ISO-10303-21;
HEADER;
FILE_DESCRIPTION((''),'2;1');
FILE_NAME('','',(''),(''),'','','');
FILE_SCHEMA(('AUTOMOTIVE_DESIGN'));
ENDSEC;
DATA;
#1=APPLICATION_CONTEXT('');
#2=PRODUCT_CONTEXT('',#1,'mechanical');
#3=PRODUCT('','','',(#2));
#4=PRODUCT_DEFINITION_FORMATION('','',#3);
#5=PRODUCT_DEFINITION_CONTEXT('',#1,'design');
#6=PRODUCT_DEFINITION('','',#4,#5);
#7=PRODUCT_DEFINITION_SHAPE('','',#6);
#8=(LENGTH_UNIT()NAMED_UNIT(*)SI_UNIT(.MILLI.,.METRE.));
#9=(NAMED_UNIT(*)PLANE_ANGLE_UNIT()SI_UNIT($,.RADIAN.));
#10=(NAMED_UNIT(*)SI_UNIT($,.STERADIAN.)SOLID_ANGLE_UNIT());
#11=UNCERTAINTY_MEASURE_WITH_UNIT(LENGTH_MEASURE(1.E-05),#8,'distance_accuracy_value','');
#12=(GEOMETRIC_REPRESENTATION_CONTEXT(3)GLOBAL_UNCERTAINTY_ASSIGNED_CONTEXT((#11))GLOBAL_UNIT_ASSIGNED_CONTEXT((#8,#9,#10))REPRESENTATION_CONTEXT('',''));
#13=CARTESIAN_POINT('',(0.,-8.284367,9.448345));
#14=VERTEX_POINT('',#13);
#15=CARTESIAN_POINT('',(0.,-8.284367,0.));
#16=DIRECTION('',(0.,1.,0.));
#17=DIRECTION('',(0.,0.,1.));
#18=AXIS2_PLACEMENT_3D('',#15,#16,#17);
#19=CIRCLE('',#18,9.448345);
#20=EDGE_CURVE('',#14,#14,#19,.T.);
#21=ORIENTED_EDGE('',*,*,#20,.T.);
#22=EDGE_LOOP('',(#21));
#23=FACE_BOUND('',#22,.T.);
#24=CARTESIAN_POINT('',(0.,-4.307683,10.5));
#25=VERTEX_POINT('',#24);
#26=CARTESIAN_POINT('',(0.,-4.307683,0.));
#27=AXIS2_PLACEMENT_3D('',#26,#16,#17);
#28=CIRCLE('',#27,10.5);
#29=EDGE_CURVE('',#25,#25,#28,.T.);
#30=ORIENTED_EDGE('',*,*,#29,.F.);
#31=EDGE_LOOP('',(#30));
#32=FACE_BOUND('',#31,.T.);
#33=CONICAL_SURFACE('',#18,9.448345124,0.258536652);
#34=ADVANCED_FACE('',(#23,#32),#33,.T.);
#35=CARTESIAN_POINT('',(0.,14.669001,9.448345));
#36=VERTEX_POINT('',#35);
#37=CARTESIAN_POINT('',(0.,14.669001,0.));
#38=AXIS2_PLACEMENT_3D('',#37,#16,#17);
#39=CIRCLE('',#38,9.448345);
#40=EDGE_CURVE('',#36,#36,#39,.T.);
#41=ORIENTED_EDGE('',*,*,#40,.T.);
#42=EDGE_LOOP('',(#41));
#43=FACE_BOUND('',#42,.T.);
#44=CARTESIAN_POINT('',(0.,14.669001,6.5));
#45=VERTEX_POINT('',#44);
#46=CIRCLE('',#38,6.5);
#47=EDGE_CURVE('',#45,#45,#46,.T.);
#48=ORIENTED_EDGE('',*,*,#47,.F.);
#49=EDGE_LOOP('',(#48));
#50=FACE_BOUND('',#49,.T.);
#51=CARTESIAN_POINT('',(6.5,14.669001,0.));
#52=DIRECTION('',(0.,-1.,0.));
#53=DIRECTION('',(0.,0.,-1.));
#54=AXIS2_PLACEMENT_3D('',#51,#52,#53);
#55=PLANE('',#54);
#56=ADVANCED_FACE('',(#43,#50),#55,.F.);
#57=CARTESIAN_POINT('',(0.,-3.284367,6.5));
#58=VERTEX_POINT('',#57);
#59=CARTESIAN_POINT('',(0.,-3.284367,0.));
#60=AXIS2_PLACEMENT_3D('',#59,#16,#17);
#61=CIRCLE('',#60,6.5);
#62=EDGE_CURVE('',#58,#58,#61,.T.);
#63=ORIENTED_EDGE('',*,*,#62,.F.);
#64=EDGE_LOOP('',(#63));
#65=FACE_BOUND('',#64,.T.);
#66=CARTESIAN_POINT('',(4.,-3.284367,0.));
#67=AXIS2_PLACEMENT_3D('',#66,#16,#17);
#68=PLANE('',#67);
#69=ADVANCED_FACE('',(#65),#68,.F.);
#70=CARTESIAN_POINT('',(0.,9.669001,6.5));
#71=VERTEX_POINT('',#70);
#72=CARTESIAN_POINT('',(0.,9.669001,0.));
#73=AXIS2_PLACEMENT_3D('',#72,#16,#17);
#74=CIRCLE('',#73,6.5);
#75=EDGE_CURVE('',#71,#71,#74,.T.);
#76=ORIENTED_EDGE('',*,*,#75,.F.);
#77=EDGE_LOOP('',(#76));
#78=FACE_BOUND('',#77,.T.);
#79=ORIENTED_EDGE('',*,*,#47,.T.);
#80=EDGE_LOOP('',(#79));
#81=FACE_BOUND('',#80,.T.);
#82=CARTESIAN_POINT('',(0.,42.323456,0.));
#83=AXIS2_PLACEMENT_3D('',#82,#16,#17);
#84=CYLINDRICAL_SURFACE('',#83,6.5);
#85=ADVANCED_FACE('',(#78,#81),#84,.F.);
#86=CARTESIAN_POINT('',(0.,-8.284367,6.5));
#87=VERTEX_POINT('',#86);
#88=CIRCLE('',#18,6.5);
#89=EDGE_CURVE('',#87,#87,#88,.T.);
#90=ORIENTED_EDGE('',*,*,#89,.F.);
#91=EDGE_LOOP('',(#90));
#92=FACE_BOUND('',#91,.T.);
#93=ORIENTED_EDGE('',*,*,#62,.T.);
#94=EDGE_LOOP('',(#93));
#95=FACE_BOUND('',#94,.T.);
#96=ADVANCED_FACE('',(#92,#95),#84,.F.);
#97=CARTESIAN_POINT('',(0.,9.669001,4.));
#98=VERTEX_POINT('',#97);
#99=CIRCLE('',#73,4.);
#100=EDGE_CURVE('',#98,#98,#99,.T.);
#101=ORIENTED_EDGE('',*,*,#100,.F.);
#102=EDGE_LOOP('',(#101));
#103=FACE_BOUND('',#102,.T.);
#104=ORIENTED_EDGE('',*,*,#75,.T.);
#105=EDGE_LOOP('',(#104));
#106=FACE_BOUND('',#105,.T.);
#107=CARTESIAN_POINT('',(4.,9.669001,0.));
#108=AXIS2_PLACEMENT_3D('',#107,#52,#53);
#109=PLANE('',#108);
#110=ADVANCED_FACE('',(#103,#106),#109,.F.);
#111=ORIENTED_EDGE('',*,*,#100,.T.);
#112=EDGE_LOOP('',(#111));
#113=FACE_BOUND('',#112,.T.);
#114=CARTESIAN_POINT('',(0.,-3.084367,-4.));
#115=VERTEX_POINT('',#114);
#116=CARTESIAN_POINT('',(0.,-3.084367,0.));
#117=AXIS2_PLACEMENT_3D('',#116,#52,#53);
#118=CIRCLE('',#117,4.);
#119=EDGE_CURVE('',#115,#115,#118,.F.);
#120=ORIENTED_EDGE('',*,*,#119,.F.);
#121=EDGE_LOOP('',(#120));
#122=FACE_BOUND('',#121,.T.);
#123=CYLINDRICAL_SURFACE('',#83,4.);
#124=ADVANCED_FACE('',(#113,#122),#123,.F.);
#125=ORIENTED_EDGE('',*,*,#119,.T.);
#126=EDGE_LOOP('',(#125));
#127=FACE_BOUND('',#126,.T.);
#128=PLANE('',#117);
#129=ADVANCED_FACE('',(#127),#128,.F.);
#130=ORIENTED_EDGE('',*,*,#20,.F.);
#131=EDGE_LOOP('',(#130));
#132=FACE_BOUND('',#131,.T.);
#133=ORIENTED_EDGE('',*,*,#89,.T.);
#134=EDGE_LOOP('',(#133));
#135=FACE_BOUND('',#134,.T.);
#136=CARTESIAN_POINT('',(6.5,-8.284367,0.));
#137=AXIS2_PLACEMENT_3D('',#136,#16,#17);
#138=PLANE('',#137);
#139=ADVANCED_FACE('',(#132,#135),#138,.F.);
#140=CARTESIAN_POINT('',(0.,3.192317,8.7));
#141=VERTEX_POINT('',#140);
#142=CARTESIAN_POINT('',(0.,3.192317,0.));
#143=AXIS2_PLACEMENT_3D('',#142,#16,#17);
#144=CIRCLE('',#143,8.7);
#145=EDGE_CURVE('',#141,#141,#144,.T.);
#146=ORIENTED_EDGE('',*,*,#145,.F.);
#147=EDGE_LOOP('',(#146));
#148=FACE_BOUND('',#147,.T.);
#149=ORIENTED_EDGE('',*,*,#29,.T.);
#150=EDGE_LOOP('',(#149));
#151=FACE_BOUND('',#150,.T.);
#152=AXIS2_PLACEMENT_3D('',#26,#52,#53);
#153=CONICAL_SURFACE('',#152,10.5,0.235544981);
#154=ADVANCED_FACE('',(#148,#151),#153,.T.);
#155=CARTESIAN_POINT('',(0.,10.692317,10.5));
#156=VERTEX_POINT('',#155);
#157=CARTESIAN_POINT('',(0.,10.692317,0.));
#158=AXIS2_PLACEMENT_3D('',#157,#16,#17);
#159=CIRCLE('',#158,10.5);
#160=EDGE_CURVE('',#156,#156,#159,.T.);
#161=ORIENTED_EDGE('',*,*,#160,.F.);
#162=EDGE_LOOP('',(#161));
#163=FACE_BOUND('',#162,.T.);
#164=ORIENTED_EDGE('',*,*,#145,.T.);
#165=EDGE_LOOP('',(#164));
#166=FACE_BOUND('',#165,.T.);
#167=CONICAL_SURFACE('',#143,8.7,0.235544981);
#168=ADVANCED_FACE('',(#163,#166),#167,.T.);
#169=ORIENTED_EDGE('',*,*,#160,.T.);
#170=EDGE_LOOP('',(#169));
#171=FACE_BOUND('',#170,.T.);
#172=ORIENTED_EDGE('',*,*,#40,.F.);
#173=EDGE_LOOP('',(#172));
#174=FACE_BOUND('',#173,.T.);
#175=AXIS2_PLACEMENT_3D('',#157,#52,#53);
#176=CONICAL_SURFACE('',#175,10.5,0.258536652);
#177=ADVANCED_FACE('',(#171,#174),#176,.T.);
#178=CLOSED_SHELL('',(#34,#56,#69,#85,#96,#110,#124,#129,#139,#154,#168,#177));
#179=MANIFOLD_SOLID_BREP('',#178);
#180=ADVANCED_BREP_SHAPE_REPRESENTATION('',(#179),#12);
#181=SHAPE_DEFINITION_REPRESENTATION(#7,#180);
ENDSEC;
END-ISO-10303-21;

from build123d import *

# Parameters (mm, degrees)
SKETCH2_R           = 4
BOSS_EXTRUDE1_DEPTH = 0.2


with BuildPart() as part:
    # Sketch1 → Revolve1 (revolve)
    with BuildSketch(Plane.XY):
        Polygon((4, -3.284366974), (4, 9.669000537), (6.5, 9.669000537), (6.5, 14.669000537), (9.448345124, 14.669000537), (10.5, 10.692316782), (8.7, 3.192316782), (10.5, -4.307683218), (9.448345124, -8.284366974), (6.5, -8.284366974), (6.5, -3.284366974), align=None)
    revolve(axis=Axis((0, 42.323455848, 0), (0, -1, 0)))

    # Sketch2 → Boss-Extrude1 (add)
    with BuildSketch(Plane.XZ.offset(3.284366974)):
        Circle(SKETCH2_R)
    extrude(amount=-BOSS_EXTRUDE1_DEPTH)


solid = part.part
